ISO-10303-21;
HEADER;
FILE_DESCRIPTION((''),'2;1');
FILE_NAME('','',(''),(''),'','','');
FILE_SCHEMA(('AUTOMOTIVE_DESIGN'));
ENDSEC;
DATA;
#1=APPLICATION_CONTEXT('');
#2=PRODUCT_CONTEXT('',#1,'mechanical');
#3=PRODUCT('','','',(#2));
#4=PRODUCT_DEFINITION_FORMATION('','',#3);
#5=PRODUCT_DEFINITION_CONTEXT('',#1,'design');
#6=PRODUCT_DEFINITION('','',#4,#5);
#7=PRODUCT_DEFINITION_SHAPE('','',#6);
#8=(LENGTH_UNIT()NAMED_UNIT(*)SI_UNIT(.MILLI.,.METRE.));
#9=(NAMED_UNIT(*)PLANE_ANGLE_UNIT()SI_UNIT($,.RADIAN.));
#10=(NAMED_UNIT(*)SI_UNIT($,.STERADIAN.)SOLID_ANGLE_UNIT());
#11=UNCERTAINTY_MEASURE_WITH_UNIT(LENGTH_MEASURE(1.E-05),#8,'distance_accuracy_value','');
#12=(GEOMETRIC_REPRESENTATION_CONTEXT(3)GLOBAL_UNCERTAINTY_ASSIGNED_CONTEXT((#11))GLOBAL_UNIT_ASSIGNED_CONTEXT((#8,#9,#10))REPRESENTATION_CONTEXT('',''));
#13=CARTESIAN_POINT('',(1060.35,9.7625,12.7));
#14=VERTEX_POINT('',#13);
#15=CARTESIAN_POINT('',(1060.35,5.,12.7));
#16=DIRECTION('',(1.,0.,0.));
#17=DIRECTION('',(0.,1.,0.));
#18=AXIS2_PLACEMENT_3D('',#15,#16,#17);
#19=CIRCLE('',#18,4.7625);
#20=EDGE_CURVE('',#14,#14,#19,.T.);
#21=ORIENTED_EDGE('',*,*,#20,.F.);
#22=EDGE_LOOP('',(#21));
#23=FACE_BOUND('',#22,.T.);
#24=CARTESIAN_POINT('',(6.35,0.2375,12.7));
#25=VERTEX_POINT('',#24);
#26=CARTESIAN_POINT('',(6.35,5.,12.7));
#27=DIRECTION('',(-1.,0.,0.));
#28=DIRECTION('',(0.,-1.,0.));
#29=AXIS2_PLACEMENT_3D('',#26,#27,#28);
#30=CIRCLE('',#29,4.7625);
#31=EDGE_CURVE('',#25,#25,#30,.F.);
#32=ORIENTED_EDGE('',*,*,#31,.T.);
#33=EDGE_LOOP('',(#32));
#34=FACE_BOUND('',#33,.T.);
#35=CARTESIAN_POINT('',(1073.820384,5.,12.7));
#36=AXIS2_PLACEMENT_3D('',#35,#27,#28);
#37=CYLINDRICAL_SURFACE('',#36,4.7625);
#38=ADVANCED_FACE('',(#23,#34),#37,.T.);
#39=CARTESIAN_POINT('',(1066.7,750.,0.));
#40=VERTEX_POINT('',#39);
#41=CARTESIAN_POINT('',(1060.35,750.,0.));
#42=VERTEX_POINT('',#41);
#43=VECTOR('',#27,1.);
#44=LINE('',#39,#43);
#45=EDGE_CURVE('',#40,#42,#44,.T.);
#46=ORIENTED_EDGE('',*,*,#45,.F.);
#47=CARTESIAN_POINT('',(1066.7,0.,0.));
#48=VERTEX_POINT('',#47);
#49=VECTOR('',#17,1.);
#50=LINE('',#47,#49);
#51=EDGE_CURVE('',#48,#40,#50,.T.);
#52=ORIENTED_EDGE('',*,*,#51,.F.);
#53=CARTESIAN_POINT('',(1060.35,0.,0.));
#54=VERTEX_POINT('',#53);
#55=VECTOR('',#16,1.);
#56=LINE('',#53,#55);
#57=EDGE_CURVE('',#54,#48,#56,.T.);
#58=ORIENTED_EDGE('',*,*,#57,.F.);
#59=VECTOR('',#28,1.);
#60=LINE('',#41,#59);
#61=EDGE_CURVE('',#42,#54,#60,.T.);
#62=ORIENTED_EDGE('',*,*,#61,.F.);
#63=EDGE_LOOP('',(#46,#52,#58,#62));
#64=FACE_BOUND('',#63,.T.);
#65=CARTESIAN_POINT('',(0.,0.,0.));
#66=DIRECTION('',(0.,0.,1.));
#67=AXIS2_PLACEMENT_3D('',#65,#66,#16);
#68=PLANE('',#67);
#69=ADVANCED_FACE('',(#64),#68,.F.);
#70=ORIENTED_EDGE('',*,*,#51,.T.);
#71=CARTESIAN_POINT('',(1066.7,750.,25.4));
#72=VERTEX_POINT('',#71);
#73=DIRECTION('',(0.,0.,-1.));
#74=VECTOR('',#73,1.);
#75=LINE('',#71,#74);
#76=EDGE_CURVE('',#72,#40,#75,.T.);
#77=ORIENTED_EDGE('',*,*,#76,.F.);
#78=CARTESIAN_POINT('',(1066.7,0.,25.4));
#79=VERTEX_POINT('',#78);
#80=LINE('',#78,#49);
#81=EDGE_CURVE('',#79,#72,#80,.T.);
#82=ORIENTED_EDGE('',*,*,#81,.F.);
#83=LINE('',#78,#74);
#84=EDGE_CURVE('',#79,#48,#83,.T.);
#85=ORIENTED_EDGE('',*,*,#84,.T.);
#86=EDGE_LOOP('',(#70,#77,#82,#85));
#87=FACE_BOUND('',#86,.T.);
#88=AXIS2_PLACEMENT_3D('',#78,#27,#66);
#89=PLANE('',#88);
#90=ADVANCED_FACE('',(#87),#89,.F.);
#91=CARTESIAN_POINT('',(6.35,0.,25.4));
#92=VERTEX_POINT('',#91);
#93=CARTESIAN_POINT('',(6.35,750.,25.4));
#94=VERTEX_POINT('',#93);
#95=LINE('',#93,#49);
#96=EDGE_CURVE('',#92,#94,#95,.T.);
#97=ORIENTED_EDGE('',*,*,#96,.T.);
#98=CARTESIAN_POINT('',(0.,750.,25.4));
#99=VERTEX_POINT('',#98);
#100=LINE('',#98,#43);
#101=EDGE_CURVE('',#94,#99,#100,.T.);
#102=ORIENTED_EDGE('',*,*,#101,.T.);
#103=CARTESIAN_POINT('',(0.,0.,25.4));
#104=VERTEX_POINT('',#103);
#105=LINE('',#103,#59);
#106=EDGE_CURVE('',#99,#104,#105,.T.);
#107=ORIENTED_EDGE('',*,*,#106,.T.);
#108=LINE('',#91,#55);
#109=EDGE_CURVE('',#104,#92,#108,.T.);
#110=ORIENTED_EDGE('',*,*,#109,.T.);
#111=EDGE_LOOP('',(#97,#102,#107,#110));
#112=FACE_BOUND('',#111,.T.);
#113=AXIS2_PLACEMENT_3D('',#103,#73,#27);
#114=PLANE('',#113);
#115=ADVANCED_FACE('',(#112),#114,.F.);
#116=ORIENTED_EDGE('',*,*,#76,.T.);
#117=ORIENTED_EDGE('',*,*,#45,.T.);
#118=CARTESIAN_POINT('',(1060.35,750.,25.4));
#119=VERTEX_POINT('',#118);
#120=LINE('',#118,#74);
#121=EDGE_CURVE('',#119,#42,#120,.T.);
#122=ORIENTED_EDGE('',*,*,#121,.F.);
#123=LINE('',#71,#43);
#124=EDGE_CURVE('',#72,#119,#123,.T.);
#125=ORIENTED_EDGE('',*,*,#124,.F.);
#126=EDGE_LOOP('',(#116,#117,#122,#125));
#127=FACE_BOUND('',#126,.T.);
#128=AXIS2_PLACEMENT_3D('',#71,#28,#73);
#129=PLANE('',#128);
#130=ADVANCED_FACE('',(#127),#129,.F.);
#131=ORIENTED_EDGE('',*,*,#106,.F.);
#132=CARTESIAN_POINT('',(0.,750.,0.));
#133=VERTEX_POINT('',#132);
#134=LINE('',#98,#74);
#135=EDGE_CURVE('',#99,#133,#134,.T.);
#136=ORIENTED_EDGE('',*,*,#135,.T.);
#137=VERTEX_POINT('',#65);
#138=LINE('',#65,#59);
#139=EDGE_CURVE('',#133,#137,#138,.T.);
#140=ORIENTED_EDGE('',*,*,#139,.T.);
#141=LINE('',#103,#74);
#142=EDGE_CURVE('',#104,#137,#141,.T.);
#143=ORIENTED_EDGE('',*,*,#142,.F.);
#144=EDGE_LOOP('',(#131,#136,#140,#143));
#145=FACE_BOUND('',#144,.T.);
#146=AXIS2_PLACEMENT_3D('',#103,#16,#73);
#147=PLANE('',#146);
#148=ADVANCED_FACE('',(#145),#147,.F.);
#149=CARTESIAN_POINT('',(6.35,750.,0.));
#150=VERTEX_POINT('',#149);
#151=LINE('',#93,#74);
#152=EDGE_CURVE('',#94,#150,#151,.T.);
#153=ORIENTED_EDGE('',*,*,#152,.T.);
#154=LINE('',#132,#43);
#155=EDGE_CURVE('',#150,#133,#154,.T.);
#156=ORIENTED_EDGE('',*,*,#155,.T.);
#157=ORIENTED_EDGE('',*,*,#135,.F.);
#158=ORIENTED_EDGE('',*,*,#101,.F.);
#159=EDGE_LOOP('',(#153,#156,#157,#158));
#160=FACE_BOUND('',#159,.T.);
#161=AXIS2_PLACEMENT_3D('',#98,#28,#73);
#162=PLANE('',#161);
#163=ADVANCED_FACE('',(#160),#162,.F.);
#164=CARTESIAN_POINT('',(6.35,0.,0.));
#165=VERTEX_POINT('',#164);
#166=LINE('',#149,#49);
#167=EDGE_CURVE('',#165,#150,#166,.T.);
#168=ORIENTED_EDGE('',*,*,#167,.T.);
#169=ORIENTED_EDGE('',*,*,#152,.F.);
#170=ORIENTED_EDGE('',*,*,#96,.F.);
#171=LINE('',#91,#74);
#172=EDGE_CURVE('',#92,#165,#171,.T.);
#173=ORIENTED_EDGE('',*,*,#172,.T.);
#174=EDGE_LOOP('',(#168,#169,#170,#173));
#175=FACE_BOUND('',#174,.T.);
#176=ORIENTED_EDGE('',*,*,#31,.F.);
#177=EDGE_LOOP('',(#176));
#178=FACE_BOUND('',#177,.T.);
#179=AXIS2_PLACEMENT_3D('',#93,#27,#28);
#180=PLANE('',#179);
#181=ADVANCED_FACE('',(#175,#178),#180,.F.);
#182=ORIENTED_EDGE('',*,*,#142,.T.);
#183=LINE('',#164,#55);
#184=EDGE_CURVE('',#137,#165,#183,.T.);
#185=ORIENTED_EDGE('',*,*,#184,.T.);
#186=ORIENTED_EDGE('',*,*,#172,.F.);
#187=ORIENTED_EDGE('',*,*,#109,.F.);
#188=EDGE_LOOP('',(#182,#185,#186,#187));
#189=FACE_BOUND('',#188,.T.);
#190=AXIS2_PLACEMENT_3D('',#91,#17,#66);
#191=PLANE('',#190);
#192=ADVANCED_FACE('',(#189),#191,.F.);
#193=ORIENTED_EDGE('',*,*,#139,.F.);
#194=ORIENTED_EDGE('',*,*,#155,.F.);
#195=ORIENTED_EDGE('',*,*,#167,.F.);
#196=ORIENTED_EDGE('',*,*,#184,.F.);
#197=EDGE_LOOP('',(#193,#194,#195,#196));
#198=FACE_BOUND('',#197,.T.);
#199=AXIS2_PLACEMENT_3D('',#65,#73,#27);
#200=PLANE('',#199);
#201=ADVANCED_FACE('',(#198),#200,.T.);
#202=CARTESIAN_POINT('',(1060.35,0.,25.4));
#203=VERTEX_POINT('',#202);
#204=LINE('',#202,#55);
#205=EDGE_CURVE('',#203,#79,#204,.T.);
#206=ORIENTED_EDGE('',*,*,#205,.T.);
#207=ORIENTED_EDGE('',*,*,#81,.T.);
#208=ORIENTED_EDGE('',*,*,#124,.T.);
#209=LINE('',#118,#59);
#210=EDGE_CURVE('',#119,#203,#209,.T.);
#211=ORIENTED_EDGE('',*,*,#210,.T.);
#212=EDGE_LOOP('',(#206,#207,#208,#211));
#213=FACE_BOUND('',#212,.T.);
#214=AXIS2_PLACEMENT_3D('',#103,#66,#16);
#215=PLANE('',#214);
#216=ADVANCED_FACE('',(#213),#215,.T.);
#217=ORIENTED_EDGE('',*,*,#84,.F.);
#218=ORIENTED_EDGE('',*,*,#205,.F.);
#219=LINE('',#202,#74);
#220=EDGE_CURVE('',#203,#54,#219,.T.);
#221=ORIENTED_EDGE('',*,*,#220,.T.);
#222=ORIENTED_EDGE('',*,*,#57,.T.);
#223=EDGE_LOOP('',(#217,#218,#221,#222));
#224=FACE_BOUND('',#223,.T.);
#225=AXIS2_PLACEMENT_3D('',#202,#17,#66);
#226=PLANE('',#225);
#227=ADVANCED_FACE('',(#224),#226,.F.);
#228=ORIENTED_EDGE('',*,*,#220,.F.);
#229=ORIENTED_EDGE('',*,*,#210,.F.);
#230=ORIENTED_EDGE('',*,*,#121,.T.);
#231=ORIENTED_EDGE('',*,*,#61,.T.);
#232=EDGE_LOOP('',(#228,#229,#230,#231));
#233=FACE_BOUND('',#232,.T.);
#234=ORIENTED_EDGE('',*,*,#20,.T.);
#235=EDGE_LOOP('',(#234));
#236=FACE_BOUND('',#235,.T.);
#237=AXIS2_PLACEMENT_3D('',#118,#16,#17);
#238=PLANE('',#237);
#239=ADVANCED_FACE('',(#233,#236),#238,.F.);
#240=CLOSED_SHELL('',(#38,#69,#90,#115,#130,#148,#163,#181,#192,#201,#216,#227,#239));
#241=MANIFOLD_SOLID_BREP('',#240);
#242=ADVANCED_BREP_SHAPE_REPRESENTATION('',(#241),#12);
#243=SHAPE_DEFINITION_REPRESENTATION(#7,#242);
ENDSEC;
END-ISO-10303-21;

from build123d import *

# Parameters (mm, degrees)
CROQUIS1_W                = 6.35
CROQUIS1_H                = 750
SALIENTE_EXTRUIR1_DEPTH   = 25.4
SALIENTE_EXTRUIR1_2_DEPTH = 25.4
CROQUIS2_R                = 4.7625
SALIENTE_EXTRUIR2_DEPTH   = 1054


with BuildPart() as part:
    # Croquis1 → Saliente-Extruir1 (new body)
    with BuildSketch(Plane.XY):
        with Locations((3.175, 375)):
            Rectangle(CROQUIS1_W, CROQUIS1_H)
    extrude(amount=SALIENTE_EXTRUIR1_DEPTH)



with BuildPart() as body_2:
    # Croquis1 → Saliente-Extruir1 2 (new body)
    with BuildSketch(Plane.XY):
        with Locations((1063.525, 375)):
            Rectangle(CROQUIS1_W, CROQUIS1_H)
    extrude(amount=SALIENTE_EXTRUIR1_2_DEPTH)


with BuildPart() as part_1:
    add(part.part)

    add(body_2.part)  # Saliente-Extruir2 merges body 2
    # Croquis2 → Saliente-Extruir2 (add)
    with BuildSketch(Plane(origin=(6.35, 0, 0), x_dir=(0, 0, -1), z_dir=(1, 0, 0))):
        with Locations(Location((-12.7, 5, 0), (0, 0, 270))):
            Circle(CROQUIS2_R)
    extrude(amount=SALIENTE_EXTRUIR2_DEPTH)


solid = part_1.part
